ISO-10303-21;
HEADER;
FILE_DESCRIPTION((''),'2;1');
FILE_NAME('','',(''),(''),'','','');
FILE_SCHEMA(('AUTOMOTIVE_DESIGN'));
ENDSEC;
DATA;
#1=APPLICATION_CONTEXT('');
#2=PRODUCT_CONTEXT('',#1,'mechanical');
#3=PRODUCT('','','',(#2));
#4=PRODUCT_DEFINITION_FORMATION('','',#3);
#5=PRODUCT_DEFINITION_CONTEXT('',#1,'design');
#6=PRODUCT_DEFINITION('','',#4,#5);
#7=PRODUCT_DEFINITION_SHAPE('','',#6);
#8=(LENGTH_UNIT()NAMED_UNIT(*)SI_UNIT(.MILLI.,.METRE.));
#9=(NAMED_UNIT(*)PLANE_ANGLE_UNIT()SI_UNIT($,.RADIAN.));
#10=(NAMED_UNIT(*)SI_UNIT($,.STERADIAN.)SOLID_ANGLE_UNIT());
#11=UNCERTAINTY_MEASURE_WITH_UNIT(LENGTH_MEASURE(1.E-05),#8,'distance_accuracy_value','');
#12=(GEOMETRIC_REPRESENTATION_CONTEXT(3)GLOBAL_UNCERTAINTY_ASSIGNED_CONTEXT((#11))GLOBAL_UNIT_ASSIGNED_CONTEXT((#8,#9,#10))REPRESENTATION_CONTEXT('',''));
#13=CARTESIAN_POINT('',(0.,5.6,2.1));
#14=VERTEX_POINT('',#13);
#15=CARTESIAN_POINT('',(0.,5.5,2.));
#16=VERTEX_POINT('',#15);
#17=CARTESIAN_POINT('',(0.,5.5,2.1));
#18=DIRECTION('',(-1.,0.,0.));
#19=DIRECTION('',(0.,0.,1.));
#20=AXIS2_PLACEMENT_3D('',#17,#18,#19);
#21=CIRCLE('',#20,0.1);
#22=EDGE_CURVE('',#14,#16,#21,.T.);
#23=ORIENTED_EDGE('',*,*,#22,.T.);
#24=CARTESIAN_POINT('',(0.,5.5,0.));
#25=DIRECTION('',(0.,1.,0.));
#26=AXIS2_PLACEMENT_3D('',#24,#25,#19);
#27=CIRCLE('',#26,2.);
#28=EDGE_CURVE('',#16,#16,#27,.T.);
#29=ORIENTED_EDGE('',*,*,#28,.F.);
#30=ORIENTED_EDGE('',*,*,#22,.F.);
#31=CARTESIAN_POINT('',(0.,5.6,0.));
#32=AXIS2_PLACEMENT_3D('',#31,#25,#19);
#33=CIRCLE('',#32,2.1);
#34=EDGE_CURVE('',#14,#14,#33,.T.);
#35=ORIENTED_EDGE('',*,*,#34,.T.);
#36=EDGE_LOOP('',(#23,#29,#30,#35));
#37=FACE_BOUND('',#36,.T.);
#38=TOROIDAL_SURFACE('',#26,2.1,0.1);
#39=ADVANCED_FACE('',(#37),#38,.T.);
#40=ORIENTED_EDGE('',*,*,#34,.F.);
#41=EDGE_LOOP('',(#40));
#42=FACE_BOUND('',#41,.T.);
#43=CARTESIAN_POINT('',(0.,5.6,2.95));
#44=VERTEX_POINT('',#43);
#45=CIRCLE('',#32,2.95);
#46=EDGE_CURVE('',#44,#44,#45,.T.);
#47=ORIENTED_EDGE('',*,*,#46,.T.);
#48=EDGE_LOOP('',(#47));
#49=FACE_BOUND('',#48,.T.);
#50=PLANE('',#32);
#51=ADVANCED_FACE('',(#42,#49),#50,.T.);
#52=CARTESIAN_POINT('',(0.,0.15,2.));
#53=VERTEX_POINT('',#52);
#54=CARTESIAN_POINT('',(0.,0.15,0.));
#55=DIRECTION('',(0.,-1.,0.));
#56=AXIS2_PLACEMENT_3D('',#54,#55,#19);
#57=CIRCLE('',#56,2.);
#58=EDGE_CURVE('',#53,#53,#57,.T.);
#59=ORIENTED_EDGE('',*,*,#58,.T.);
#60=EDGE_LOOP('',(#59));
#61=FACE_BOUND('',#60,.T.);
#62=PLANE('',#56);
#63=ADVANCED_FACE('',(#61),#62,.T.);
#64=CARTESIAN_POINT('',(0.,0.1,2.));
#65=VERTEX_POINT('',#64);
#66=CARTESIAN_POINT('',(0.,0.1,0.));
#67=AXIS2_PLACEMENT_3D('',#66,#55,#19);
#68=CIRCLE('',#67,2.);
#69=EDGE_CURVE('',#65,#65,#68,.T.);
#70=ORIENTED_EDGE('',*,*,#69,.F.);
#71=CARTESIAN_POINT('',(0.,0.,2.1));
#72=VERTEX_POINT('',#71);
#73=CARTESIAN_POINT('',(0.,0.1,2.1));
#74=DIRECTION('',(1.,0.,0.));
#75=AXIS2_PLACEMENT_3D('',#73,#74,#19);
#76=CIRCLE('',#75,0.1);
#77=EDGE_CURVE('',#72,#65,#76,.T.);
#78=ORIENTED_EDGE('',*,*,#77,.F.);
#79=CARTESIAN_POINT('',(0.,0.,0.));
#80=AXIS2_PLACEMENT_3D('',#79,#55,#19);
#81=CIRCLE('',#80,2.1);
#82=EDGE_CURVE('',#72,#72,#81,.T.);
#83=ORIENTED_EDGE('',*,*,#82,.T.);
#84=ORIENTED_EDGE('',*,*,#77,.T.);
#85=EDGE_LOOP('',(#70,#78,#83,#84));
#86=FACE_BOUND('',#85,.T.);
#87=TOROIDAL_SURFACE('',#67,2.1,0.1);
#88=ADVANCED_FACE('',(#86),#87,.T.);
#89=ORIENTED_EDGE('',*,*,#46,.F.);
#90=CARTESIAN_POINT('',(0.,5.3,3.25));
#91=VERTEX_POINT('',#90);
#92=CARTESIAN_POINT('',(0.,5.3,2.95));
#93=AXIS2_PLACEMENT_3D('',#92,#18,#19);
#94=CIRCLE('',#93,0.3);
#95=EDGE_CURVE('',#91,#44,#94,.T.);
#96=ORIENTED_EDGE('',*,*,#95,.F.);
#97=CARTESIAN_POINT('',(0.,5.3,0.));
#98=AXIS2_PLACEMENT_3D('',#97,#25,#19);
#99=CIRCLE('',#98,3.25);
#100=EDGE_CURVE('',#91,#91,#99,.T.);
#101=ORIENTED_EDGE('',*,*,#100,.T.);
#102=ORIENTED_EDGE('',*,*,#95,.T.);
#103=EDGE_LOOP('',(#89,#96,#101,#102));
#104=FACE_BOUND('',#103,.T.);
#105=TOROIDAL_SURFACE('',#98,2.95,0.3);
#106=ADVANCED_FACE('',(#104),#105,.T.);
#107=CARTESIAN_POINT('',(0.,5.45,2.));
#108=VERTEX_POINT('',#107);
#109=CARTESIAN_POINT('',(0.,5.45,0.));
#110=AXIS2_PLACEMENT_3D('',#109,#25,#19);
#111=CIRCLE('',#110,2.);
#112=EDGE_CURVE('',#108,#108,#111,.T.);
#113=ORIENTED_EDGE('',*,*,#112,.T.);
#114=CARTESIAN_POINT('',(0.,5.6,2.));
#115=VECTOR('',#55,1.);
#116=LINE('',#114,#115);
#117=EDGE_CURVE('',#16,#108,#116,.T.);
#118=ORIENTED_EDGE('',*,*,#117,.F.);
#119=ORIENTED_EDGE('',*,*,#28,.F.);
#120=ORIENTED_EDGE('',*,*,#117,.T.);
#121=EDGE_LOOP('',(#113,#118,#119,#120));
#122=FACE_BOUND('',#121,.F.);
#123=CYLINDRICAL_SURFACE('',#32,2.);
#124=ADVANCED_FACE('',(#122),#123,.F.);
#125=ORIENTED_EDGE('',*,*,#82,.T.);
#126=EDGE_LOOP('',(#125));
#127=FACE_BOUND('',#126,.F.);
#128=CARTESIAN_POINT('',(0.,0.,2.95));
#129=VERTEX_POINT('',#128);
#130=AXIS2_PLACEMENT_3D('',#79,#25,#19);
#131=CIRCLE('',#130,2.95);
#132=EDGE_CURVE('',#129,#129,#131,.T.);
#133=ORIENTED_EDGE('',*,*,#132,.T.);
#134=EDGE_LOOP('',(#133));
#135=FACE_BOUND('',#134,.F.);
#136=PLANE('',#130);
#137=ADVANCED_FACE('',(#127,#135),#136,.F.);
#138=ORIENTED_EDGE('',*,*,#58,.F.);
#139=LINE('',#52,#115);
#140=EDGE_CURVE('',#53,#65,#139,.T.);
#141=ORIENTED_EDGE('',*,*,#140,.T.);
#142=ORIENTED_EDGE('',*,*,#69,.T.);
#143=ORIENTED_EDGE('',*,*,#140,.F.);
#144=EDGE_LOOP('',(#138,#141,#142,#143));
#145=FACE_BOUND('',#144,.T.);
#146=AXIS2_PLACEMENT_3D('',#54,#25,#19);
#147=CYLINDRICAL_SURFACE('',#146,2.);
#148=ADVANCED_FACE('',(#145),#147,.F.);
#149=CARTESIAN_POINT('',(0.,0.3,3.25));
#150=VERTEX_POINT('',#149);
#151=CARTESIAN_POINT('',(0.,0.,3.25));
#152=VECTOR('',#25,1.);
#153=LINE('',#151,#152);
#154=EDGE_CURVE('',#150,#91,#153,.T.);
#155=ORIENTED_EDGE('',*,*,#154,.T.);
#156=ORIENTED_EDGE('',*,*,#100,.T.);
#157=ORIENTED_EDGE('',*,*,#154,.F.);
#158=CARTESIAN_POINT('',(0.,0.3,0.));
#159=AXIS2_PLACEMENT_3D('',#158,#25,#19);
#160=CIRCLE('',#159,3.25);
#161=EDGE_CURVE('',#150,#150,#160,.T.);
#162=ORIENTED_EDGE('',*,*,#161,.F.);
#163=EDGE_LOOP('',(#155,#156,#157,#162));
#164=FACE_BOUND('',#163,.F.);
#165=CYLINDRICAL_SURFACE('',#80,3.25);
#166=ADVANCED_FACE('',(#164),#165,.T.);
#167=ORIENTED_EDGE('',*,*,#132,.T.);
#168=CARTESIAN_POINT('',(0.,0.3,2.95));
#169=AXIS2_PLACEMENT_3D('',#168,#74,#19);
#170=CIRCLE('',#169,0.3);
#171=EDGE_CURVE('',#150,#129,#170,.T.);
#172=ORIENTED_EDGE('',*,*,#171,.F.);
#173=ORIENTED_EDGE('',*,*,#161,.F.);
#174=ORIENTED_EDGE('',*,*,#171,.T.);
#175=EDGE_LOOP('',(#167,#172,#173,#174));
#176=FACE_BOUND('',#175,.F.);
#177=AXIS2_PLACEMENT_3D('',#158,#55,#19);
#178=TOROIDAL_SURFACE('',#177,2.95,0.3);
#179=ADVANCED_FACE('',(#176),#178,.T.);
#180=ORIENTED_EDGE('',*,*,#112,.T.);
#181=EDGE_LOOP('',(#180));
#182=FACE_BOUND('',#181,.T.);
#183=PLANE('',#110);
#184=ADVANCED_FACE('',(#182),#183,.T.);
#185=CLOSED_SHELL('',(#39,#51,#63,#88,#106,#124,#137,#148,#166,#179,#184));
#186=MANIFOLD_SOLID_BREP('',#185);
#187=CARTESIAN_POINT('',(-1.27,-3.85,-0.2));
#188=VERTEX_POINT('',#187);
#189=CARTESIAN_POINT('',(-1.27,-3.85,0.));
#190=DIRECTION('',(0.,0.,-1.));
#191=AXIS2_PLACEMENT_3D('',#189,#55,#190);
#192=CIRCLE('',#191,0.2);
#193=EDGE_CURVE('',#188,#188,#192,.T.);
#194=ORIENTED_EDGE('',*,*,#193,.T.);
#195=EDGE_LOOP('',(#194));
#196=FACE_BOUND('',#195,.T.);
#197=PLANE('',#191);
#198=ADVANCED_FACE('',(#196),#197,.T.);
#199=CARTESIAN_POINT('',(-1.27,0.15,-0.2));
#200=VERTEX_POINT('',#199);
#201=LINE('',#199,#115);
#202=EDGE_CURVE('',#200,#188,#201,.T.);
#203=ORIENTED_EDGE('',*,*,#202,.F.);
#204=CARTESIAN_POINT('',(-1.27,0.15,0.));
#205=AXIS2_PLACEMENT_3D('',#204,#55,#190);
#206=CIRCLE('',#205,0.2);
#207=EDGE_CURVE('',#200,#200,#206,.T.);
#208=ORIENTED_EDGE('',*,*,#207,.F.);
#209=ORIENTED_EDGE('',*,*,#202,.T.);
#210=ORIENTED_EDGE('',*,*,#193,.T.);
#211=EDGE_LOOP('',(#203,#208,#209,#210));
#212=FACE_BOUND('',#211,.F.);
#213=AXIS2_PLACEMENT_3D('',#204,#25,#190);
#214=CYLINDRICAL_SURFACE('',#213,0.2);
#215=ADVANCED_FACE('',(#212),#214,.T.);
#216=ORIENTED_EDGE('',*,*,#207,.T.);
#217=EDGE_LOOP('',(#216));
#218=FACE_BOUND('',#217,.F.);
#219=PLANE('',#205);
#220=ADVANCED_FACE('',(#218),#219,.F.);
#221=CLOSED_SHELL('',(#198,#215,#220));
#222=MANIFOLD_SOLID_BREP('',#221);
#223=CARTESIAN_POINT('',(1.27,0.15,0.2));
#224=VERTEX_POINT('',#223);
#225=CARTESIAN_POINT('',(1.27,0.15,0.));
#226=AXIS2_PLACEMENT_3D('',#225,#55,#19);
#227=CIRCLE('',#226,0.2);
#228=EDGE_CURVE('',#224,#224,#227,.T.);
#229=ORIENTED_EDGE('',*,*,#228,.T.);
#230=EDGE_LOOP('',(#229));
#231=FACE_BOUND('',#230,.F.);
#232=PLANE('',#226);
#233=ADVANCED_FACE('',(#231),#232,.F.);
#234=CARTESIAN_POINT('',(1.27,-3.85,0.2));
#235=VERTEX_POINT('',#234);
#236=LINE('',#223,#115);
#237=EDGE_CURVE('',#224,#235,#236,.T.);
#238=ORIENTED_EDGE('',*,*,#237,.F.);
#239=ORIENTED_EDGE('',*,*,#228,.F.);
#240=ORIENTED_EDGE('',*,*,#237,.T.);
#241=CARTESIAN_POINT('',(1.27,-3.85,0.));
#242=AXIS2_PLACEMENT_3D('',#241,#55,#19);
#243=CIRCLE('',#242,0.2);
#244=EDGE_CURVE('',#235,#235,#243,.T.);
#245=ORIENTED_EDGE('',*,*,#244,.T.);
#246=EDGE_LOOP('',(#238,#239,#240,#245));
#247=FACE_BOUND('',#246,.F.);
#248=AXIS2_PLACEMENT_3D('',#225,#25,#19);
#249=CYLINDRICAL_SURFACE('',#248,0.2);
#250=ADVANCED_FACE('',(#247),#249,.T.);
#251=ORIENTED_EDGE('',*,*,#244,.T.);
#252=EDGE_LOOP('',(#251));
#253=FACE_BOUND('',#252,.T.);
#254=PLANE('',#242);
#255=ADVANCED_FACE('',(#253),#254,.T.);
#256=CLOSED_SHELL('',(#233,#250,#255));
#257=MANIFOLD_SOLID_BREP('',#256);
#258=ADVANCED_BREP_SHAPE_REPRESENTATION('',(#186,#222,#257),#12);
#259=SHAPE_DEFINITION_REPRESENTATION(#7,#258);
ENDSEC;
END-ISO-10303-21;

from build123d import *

# Parameters (mm, degrees)
SKETCH_1_R          = 3.25
EXTRUDE_1_DEPTH     = 5.6
SKETCH_2_R          = 2
CUT_EXTRUDE_1_DEPTH = 0.15
CUT_EXTRUDE_START   = -0.15
SKETCH_3_R          = 2
CUT_EXTRUDE_2_DEPTH = 0.15
SKETCH_4_R          = 0.2
EXTRUDE_2_DEPTH     = 4
EXTRUDE_2_2_DEPTH   = 4
FILLET_1_R          = 0.3
FILLET_2_R          = 0.1


with BuildPart() as part:
    # Эскиз1 → Бобышка-Вытянуть1 (new body)
    with BuildSketch(Plane(origin=(0, 0, 0), x_dir=(1, 0, 0), z_dir=(0, 1, 0))):
        with Locations(Location((0, 0, 0), (0, 0, 270))):
            Circle(SKETCH_1_R)
    extrude(amount=EXTRUDE_1_DEPTH)

    # Эскиз2 → Вырез-Вытянуть1 (cut)
    with BuildSketch(Plane(origin=(0, 5.6, 0), x_dir=(1, 0, 0), z_dir=(0, 1, 0))):
        with Locations(Location((0, 0, 0), (0, 0, 270))):
            Circle(SKETCH_2_R)
    extrude(amount=-CUT_EXTRUDE_1_DEPTH, mode=Mode.SUBTRACT)

    # Эскиз3 → Вырез-Вытянуть2 (cut)
    with BuildSketch(Plane.XZ.offset(CUT_EXTRUDE_START)):
        with Locations(Location((0, 0, 0), (0, 0, 90))):
            Circle(SKETCH_3_R)
    extrude(amount=CUT_EXTRUDE_2_DEPTH, mode=Mode.SUBTRACT)

    # Скругление1
    fillet_1_edges = [part.edges().sort_by_distance(p)[0] for p in [
        (0, 0, -3.25),
        (0, 5.6, -3.25),
    ]]
    fillet(fillet_1_edges, radius=FILLET_1_R)

    # Скругление2
    fillet_2_edges = [part.edges().sort_by_distance(p)[0] for p in [
        (0, 0, -2),
        (0, 5.6, -2),
    ]]
    fillet(fillet_2_edges, radius=FILLET_2_R)


with BuildPart() as body_2:
    # Эскиз4 → Бобышка-Вытянуть2 (new body)
    with BuildSketch(Plane.XZ.offset(-0.15)):
        with Locations(Location((-1.27, 0, 0), (0, 0, 270))):
            Circle(SKETCH_4_R)
    extrude(amount=EXTRUDE_2_DEPTH)


with BuildPart() as body_3:
    # Эскиз4 → Extrude 2 2 (new body)
    with BuildSketch(Plane.XZ.offset(-0.15)):
        with Locations(Location((1.27, 0, 0), (0, 0, 90))):
            Circle(SKETCH_4_R)
    extrude(amount=EXTRUDE_2_2_DEPTH)


solid = Compound([part.part, body_2.part, body_3.part])
